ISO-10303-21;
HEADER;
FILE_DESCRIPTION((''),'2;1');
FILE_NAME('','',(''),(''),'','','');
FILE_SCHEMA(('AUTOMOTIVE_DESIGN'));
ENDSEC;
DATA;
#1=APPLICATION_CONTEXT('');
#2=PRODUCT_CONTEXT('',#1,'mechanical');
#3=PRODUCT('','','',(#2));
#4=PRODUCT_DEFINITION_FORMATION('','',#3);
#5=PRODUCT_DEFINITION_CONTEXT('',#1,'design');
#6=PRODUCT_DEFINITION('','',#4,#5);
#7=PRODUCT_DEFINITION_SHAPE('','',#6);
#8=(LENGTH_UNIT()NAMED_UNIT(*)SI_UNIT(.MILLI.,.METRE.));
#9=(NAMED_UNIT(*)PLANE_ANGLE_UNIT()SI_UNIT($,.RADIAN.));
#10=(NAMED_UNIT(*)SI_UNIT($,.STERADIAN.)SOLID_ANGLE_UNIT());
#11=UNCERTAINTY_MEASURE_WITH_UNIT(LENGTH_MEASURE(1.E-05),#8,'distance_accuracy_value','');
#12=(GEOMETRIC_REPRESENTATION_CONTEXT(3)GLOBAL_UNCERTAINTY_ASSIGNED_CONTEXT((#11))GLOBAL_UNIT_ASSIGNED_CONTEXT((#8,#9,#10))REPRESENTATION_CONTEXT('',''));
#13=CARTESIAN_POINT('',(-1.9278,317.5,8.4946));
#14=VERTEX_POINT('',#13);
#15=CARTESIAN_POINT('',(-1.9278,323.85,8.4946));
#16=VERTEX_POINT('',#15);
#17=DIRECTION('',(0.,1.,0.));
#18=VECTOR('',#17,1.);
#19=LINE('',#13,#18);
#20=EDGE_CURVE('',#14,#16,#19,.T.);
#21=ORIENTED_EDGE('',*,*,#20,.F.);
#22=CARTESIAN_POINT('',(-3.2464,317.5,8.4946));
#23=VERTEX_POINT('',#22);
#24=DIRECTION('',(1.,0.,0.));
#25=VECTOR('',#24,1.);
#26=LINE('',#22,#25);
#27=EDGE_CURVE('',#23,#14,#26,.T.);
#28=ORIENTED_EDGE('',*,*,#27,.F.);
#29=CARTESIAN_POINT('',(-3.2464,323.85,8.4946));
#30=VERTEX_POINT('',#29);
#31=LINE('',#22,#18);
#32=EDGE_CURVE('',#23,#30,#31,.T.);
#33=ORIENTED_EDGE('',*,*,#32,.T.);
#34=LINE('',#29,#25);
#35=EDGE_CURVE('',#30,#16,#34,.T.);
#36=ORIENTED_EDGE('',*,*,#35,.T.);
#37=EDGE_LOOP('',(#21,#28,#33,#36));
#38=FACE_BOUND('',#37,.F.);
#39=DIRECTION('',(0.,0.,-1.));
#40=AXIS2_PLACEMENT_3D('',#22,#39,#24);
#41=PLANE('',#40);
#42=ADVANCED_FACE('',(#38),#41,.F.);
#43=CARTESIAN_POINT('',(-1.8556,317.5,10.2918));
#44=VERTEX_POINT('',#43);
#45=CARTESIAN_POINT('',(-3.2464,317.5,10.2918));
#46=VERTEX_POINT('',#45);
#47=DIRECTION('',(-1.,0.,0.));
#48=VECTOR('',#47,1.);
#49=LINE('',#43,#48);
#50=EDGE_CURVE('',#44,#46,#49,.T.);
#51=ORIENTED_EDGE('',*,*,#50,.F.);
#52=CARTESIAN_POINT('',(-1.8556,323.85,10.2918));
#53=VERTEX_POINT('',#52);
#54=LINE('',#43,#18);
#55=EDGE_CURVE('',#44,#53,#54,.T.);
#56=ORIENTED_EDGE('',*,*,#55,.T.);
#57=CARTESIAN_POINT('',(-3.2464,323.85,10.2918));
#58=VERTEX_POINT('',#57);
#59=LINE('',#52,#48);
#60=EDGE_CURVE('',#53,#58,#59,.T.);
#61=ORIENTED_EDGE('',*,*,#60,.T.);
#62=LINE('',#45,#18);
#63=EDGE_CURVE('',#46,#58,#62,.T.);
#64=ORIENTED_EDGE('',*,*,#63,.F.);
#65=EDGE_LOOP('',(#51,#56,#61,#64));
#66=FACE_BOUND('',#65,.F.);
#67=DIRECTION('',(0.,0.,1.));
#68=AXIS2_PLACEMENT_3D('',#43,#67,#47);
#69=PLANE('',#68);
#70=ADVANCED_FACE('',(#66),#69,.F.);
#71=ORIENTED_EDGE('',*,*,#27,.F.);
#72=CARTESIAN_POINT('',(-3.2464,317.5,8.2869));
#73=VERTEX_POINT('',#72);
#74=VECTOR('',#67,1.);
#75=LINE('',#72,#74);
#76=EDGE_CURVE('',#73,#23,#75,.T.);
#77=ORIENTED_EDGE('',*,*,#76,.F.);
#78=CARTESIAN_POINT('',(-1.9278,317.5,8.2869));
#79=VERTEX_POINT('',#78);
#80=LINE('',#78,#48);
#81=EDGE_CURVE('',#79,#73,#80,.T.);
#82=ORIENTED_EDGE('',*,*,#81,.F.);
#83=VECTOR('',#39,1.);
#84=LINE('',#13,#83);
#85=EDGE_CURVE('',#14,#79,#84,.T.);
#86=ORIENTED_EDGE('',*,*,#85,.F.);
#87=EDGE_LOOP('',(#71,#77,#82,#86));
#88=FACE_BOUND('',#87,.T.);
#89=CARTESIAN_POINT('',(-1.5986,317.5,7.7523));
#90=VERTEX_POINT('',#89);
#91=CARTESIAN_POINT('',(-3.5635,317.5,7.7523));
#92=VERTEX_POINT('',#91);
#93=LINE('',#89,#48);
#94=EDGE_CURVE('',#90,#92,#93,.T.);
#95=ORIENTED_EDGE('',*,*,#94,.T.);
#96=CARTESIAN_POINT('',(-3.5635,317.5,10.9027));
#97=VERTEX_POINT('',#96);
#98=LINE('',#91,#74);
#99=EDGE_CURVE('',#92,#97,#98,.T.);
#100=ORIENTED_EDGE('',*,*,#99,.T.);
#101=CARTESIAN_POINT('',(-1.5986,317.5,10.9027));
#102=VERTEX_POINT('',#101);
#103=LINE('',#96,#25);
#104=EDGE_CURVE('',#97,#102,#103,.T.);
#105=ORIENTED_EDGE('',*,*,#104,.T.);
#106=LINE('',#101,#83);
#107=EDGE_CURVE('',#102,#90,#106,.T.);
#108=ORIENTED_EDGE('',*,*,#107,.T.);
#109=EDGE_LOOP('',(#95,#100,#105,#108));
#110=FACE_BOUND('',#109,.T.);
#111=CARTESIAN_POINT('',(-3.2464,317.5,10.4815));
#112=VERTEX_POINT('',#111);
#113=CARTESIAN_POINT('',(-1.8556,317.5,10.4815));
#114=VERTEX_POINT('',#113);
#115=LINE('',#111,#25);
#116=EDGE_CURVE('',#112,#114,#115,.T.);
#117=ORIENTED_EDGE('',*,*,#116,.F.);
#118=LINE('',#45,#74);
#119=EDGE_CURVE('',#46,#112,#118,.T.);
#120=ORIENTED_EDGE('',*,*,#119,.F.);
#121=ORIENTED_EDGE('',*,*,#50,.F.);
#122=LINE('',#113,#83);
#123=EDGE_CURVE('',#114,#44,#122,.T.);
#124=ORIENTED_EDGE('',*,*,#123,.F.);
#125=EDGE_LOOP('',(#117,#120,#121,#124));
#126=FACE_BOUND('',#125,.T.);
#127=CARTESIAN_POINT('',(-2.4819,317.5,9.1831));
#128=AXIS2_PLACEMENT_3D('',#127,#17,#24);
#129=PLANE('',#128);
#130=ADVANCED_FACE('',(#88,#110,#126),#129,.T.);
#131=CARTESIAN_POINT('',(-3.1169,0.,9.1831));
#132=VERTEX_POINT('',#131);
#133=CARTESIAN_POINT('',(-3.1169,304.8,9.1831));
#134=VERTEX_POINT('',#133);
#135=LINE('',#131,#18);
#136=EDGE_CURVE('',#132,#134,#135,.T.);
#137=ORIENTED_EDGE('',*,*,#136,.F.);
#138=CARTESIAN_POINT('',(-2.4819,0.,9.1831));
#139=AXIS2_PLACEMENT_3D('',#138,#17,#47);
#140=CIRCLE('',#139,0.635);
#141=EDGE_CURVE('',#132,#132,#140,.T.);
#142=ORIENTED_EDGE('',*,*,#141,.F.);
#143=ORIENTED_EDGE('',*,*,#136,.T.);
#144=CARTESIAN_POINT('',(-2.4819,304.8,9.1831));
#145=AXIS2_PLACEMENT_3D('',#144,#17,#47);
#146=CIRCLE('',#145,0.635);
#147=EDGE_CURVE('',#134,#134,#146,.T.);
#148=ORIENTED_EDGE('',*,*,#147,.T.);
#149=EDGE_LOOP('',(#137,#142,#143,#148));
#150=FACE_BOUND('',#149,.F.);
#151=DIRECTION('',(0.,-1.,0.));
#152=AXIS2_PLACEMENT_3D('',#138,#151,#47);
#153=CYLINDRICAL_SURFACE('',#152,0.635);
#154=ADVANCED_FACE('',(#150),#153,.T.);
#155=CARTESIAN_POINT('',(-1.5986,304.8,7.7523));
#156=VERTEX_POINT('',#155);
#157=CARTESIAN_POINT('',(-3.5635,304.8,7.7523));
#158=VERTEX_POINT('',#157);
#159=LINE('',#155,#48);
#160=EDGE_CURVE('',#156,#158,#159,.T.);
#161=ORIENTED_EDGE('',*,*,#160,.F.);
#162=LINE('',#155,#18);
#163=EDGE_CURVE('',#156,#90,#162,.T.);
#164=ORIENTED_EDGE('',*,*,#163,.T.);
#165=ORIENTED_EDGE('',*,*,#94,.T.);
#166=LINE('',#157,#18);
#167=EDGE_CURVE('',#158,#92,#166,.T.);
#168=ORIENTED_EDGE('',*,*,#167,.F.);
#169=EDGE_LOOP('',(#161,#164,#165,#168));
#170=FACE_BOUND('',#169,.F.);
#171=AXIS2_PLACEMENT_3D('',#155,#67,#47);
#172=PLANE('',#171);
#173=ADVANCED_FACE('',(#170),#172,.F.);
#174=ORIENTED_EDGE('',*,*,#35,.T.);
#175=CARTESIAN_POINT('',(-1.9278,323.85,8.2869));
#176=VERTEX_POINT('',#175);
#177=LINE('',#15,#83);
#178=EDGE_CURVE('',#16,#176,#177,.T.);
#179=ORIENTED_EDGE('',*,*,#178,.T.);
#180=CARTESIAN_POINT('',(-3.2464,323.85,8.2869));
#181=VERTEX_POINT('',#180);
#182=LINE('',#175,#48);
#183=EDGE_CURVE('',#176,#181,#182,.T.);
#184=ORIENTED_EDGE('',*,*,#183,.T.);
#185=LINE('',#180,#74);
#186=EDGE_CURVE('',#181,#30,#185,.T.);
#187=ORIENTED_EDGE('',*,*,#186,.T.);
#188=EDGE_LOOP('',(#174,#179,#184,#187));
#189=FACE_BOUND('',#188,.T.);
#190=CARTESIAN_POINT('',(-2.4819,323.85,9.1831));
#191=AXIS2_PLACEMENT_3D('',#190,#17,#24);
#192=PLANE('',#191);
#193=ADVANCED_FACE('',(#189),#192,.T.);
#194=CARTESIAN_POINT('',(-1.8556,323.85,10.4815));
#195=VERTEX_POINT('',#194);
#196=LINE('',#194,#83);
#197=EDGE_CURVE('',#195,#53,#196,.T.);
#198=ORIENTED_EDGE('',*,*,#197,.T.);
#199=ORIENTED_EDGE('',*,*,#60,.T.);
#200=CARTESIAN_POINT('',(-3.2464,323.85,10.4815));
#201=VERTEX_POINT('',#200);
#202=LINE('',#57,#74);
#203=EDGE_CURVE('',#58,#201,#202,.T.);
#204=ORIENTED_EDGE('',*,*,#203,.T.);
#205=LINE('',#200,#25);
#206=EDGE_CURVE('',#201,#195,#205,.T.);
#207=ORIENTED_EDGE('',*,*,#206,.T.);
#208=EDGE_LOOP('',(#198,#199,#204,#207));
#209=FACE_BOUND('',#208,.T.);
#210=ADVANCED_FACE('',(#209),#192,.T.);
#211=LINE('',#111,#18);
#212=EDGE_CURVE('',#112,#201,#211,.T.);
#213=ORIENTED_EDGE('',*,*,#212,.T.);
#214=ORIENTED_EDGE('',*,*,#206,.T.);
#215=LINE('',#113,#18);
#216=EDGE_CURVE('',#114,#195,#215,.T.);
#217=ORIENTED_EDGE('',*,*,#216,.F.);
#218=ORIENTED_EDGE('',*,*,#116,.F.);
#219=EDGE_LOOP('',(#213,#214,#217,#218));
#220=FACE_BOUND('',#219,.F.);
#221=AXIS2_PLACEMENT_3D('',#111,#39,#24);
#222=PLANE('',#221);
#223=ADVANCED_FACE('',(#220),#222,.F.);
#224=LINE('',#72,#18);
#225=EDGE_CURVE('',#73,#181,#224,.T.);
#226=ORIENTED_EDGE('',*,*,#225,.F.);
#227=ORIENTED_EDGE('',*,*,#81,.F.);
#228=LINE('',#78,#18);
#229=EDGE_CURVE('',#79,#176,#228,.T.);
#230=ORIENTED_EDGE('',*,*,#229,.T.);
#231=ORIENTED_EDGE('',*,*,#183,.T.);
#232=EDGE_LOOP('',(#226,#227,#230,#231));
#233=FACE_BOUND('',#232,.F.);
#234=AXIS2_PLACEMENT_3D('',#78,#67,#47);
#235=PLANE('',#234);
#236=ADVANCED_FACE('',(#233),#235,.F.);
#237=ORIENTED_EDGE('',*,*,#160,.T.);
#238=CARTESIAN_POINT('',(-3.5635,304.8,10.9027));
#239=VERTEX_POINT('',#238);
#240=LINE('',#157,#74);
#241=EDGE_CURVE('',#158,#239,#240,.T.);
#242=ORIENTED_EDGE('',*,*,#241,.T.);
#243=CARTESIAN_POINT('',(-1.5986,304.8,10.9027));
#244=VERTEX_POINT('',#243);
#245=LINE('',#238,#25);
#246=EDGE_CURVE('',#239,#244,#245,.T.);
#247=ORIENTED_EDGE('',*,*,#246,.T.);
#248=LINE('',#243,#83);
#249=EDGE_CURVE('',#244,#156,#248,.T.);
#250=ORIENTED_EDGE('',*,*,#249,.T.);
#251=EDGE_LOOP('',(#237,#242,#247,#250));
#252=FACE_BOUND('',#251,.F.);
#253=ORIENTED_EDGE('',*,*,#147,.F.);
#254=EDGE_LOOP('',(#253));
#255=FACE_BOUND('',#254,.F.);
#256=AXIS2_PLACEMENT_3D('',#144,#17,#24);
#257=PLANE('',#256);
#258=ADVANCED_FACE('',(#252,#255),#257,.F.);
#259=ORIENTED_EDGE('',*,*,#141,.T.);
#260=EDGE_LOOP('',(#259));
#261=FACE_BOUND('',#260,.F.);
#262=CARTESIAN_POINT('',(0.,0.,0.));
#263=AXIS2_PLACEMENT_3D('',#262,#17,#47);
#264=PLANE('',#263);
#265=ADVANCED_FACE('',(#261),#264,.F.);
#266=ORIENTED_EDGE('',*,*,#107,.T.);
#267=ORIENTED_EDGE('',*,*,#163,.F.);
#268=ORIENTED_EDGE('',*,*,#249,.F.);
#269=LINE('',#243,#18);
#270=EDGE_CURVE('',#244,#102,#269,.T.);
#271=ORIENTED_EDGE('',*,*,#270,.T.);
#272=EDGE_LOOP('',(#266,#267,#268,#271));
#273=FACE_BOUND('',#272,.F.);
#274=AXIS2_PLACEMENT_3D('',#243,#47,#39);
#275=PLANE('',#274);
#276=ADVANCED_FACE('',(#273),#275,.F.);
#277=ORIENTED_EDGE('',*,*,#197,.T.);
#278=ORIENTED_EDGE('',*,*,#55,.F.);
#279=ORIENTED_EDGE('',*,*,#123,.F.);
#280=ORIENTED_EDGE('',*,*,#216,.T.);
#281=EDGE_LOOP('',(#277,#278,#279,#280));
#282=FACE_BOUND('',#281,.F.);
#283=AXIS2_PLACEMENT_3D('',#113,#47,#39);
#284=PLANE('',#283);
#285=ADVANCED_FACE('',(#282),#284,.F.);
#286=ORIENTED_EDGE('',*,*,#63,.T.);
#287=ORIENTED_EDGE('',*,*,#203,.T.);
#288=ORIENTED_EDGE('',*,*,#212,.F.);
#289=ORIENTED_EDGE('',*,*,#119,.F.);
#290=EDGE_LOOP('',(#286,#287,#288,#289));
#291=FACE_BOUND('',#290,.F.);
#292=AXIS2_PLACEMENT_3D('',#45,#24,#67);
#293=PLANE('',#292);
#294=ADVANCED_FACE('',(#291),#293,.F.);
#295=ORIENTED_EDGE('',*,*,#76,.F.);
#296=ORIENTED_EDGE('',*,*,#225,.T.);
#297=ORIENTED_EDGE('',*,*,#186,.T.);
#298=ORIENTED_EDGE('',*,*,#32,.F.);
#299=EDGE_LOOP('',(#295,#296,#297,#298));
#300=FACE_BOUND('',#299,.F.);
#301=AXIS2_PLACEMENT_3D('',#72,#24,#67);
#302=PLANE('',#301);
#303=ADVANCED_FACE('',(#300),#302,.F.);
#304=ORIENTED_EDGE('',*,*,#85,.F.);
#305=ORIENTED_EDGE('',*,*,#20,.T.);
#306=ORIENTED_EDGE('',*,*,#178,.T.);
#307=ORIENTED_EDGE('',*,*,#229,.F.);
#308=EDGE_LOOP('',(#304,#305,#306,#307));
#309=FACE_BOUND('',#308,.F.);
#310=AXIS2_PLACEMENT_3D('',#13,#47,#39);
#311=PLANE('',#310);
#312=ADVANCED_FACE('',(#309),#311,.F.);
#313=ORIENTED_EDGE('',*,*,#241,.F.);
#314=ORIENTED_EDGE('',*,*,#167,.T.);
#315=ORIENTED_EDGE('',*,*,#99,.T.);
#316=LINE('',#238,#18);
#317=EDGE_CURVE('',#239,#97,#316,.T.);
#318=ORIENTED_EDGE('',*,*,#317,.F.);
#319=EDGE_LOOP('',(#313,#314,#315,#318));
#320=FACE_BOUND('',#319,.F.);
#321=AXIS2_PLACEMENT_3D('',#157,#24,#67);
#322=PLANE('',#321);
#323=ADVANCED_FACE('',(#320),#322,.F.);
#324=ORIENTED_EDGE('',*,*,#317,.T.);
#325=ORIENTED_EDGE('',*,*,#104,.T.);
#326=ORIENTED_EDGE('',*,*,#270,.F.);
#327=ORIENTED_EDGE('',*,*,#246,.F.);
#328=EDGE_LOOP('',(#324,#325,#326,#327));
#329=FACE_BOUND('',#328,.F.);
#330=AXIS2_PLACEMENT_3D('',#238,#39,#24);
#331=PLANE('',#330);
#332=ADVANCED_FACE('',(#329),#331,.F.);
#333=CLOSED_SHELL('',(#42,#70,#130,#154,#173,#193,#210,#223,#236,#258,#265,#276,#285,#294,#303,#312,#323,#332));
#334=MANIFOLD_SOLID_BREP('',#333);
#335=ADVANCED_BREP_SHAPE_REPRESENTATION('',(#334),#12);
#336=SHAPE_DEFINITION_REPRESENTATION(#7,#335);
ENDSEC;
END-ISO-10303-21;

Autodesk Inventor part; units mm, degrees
ref_plane "YZ Plane" through (0, 0, 0) normal (1, 0, 0) x (0, 1, 0)
ref_plane "XZ Plane" through (0, 0, 0) normal (0, 1, 0) x (-1, 0, 0)
ref_plane "XY Plane" through (0, 0, 0) normal (0, 0, 1) x (1, 0, 0)
sketch "Sketch1" plane through (0, 0, 0) normal (0, 1, 0) x (-1, 0, 0)
  circle A0 centre (2.4819, 9.1831) radius 0.635
  point P0 (0, 0)
  dimension "d0" = 1.27
extrude "Extrusion1" add sketch "Sketch1" along normal blind 304.8
sketch "Sketch2" plane through (-2.4819, 304.8, 9.1831) normal (0, 1, 0) x (1, 0, 0)
  line L0 (-1.0816, -1.7196) -> (0.8833, -1.7196)
  line L1 (0.8833, -1.7196) -> (0.8833, 1.4308)
  line L2 (0.8833, 1.4308) -> (-1.0816, 1.4308)
  line L3 (-1.0816, 1.4308) -> (-1.0816, -1.7196)
  point P0 (2.4819, 9.1831)
extrude "Extrusion2" add sketch "Sketch2" along normal blind 12.7
sketch "Sketch3" plane through (-2.4819, 317.5, 9.1831) normal (0, 1, 0) x (1, 0, 0)
  line L0 (-0.7645, -1.2984) -> (0.6263, -1.2984)
  line L1 (0.6263, -1.2984) -> (0.6263, -1.1087)
  line L2 (0.6263, -1.1087) -> (-0.7645, -1.1087)
  line L3 (-0.7645, -1.1087) -> (-0.7645, -1.2984)
  line L4 (-0.7645, 0.6885) -> (0.5541, 0.6885)
  line L5 (0.5541, 0.6885) -> (0.5541, 0.8962)
  line L6 (0.5541, 0.8962) -> (-0.7645, 0.8962)
  line L7 (-0.7645, 0.8962) -> (-0.7645, 0.6885)
  point P0 (2.4819, 9.1831)
extrude "Extrusion3" add sketch "Sketch3" along normal blind 6.35
properties part number "plug"
